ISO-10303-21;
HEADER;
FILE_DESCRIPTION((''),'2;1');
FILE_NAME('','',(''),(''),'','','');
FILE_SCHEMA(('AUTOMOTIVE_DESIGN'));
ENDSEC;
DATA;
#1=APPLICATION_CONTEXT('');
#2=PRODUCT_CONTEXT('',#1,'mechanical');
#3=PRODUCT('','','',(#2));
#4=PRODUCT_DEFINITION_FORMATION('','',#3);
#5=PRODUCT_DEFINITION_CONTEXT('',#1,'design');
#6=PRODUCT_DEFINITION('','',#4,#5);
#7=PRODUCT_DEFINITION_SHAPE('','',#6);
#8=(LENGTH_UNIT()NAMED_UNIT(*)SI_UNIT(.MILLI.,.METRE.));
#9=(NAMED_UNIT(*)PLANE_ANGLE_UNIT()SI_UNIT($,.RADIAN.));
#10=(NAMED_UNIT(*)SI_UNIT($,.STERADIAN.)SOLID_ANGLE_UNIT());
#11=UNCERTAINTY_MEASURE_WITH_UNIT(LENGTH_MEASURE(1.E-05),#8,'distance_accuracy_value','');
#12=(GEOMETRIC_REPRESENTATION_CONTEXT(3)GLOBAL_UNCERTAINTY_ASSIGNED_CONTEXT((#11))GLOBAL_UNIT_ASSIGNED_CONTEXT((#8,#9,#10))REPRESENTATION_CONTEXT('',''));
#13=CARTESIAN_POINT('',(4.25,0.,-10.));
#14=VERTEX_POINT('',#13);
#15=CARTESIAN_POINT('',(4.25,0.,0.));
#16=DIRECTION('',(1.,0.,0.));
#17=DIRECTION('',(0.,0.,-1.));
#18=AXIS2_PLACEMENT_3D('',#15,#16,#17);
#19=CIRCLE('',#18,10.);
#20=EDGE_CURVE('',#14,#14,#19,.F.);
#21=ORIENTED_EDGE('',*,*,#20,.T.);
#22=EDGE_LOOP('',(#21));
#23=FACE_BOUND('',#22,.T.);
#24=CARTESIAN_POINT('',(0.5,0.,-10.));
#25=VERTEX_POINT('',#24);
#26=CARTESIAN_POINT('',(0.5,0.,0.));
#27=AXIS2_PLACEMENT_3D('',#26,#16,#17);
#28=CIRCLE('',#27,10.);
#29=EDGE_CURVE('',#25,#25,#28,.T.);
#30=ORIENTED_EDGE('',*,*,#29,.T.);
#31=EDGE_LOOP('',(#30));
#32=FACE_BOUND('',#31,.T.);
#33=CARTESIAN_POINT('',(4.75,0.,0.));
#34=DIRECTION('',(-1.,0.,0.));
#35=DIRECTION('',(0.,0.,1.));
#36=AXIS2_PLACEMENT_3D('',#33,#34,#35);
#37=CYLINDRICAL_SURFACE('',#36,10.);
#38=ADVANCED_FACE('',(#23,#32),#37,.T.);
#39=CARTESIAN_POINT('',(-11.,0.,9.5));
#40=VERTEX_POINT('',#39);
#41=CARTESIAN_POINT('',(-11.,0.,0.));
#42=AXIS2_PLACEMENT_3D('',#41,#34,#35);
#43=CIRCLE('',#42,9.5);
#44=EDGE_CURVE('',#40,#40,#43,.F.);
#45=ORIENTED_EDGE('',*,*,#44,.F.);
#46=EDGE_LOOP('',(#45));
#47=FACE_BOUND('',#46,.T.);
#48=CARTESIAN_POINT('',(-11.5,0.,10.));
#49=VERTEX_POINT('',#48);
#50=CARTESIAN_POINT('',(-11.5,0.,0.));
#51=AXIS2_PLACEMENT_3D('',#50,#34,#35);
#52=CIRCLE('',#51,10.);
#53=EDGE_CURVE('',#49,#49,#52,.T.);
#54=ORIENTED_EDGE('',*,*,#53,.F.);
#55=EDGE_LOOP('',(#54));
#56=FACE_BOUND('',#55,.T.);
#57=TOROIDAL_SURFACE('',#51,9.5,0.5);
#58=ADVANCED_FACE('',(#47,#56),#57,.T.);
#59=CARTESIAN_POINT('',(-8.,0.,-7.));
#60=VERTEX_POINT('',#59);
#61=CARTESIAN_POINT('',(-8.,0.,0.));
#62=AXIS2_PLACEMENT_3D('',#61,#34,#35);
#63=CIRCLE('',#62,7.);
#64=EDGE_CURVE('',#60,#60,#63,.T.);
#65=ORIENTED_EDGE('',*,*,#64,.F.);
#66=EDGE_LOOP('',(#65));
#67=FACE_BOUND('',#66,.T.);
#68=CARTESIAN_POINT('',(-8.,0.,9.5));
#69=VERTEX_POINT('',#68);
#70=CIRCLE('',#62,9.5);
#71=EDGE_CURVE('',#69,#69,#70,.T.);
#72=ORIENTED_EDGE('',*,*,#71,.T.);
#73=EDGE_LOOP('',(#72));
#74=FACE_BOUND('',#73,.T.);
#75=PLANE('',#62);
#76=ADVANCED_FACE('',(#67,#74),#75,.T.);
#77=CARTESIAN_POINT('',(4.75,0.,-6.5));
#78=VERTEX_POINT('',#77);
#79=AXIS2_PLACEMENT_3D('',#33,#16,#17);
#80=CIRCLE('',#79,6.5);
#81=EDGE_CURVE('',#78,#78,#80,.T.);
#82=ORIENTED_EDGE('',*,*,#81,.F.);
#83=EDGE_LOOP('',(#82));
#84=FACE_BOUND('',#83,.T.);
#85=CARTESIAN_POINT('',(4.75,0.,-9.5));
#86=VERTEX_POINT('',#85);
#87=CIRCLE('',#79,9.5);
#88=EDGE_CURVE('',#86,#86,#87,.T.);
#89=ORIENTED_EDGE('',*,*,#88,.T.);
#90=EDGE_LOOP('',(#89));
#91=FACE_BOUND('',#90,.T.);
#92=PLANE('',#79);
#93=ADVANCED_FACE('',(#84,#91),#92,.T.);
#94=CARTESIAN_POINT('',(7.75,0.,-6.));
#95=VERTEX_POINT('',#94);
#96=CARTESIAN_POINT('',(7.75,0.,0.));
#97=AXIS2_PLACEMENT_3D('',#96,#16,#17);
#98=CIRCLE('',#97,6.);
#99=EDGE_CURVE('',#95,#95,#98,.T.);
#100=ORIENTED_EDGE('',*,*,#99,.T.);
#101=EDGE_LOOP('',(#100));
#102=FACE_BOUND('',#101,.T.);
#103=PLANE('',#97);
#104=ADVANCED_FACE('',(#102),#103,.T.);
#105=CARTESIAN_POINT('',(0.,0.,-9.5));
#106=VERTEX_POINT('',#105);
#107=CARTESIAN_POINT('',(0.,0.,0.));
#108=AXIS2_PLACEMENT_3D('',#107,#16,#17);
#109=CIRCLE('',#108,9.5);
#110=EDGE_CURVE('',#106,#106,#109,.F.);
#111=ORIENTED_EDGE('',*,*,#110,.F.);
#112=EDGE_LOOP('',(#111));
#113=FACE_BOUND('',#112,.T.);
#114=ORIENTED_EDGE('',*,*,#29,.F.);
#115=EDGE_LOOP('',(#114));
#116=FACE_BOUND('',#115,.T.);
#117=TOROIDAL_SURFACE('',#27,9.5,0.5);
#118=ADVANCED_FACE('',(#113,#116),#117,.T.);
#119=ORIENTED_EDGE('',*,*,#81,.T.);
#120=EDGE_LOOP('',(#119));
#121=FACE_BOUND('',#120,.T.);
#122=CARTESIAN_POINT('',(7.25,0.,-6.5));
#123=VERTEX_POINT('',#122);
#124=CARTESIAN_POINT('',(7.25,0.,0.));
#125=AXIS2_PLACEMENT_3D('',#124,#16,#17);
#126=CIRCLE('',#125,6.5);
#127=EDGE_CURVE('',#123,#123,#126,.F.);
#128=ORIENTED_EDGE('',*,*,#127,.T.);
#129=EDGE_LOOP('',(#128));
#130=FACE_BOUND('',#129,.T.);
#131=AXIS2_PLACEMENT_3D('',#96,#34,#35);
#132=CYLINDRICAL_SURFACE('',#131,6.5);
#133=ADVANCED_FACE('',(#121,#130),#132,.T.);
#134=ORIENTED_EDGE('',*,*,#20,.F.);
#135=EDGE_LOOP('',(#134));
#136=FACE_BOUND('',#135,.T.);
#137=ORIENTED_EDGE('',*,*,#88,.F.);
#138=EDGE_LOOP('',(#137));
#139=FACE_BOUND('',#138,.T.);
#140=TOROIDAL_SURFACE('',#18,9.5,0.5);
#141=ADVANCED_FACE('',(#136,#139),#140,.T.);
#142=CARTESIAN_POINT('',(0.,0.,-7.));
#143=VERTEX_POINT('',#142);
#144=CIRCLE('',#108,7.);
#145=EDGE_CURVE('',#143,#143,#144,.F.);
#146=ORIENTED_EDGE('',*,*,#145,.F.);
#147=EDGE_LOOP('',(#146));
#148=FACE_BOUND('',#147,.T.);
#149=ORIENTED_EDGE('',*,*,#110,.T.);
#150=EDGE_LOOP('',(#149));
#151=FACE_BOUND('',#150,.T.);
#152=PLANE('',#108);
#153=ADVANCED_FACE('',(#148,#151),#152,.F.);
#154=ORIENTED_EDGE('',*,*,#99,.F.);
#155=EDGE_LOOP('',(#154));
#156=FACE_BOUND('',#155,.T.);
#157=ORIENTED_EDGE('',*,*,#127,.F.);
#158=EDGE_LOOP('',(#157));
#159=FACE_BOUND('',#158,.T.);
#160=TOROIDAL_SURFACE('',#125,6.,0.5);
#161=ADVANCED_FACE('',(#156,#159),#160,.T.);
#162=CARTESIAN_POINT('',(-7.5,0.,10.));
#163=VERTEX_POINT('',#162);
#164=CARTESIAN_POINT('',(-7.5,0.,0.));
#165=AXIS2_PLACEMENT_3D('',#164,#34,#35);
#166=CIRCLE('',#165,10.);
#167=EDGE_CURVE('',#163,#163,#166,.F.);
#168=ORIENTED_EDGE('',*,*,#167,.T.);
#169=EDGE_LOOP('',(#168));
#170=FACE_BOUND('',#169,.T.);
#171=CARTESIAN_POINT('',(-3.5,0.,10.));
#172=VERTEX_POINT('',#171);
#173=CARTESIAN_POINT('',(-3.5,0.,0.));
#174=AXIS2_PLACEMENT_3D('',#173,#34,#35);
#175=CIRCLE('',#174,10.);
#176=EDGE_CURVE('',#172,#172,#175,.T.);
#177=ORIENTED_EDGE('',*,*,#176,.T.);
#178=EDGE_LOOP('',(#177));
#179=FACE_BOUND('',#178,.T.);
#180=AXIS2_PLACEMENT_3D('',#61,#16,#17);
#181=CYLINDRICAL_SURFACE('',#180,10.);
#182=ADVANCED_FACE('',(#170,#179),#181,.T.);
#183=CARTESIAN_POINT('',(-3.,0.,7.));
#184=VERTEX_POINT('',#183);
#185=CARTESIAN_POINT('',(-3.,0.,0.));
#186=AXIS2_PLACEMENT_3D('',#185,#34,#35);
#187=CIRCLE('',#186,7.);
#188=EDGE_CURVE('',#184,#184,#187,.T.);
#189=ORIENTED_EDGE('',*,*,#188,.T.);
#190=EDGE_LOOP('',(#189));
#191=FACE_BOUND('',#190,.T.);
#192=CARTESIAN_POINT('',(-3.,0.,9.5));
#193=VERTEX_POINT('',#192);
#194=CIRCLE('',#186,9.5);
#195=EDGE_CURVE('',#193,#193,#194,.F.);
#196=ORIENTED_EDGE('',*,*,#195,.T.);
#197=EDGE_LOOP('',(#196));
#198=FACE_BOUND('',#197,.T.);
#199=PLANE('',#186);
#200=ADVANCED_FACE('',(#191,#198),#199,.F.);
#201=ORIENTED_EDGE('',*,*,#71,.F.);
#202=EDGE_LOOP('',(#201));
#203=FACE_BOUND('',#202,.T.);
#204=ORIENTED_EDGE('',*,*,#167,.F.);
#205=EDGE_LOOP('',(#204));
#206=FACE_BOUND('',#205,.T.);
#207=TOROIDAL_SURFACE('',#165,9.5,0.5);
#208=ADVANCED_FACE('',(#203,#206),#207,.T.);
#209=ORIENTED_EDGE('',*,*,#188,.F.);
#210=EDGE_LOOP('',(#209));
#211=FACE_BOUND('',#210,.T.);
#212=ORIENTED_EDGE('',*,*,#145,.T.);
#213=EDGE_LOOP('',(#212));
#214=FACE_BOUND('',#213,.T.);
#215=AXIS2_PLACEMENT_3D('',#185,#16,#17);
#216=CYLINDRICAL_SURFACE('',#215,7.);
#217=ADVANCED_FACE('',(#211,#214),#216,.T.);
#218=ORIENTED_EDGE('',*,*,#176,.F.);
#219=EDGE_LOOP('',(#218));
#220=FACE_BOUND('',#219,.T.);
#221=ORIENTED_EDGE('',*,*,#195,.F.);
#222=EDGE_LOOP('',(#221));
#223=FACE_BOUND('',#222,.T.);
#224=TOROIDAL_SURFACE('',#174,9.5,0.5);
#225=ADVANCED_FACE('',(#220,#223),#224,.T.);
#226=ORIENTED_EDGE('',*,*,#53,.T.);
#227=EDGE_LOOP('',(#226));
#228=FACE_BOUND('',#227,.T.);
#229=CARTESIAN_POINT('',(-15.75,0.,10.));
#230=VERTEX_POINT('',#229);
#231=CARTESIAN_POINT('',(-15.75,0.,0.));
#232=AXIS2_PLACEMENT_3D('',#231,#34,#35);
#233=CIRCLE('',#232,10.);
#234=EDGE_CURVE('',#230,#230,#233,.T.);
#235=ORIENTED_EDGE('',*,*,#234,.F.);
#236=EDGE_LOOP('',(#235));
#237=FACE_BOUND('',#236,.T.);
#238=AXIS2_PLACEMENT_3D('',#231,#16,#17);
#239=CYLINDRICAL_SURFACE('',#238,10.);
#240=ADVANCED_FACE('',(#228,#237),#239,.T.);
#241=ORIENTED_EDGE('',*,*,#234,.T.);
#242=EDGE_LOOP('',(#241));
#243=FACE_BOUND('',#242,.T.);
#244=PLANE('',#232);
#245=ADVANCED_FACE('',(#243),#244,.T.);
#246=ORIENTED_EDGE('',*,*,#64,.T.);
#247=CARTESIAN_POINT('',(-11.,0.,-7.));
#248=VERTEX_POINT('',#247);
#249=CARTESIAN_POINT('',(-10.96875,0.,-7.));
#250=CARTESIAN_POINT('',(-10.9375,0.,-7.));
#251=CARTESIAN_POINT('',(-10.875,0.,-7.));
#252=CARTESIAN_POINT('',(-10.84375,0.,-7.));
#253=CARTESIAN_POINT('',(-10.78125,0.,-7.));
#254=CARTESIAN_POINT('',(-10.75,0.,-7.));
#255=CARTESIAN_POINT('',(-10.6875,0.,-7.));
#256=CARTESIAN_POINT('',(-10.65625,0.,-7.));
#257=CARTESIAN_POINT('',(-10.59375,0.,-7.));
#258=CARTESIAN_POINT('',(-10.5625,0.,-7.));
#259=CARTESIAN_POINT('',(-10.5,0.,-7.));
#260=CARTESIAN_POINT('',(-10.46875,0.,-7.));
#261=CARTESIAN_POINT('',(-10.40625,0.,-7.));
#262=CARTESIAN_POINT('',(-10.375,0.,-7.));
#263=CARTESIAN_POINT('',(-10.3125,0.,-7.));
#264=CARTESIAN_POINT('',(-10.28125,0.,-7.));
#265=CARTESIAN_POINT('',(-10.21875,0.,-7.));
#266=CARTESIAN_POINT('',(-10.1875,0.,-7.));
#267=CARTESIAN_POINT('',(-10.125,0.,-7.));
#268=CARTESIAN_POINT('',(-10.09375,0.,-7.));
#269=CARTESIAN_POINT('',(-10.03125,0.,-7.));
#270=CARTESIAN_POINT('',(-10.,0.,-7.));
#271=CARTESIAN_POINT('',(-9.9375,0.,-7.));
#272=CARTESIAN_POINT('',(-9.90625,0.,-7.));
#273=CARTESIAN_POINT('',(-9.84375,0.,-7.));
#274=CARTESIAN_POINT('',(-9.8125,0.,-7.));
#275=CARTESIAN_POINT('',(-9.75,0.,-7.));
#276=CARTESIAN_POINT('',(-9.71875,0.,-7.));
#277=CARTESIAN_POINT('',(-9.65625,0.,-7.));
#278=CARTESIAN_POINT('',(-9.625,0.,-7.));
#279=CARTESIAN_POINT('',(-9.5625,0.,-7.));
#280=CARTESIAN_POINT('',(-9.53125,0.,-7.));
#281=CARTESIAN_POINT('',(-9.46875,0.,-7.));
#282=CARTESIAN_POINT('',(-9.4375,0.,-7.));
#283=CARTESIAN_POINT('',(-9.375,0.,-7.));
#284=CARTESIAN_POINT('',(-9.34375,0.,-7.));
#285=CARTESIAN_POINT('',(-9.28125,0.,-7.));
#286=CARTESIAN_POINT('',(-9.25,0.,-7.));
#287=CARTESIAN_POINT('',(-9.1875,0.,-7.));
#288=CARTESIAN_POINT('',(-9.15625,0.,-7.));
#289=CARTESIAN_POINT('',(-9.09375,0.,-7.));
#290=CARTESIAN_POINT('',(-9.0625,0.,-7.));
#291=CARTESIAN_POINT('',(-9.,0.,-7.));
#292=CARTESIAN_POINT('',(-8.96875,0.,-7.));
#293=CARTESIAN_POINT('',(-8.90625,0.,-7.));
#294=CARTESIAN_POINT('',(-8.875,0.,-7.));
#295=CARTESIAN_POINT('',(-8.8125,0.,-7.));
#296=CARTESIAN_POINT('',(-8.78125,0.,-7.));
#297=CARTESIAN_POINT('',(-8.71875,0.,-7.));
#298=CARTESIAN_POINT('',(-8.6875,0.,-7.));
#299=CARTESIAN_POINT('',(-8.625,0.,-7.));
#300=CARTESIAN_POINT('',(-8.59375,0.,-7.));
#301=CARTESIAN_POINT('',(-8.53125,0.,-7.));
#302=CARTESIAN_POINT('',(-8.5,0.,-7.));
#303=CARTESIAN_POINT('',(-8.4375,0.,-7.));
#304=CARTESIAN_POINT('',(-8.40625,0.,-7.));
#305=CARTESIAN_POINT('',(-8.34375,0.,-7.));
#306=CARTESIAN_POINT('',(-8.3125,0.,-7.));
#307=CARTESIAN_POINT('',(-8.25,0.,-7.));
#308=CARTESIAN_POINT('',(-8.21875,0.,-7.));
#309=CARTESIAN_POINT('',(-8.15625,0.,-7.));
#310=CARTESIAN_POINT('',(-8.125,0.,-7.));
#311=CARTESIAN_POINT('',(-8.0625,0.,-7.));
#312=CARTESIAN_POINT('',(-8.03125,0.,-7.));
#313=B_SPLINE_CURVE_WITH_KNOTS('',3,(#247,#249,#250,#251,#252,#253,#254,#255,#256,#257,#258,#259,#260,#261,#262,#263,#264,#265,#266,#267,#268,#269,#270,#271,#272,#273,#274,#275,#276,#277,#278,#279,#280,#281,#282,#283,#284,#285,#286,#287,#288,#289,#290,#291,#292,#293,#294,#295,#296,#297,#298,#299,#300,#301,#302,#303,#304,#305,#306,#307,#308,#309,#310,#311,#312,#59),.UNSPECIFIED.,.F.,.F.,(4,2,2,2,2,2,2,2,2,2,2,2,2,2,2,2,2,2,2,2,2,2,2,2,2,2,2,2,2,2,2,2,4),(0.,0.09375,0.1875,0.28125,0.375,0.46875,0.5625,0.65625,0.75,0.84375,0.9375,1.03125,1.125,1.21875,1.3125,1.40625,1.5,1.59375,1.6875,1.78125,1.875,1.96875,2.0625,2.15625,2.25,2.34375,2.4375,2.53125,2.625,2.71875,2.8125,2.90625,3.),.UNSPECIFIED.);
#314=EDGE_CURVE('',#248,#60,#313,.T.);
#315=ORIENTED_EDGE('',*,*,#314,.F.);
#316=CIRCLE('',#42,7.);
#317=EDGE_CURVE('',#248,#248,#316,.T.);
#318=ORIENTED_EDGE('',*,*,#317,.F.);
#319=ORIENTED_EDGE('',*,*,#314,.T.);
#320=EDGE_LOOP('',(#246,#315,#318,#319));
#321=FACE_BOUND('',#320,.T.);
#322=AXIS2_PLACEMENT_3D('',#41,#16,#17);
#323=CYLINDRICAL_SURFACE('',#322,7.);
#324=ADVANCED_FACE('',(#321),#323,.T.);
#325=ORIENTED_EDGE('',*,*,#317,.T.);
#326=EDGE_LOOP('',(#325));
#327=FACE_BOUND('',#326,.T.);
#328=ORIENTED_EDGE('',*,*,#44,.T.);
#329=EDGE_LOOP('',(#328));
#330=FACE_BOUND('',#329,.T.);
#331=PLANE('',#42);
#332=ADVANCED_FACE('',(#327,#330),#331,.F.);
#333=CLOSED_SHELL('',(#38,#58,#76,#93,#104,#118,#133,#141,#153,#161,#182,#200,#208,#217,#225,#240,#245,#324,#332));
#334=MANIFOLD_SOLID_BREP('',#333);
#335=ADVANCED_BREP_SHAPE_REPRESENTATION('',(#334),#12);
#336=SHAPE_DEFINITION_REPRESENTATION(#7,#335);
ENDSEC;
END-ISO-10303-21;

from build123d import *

# Parameters (mm, degrees)
SKETCH1_R           = 10
BOSS_EXTRUDE1_DEPTH = 4.75
SKETCH4_R           = 6.5
BOSS_EXTRUDE2_DEPTH = 3
SKETCH5_R           = 7
BOSS_EXTRUDE3_DEPTH = 3
FILLET1_R           = 0.5
BOSS_EXTRUDE4_START = 5
SKETCH6_R           = 10
BOSS_EXTRUDE4_DEPTH = 5
SKETCH7_R           = 7
BOSS_EXTRUDE5_DEPTH = 3
BOSS_EXTRUDE6_START = 4.75
SKETCH9_R           = 10
BOSS_EXTRUDE6_DEPTH = 4.75
FILLET2_R           = 0.5


with BuildPart() as part:
    # Sketch1 → Boss-Extrude1 (new body)
    with BuildSketch(Plane(origin=(0, 0, 0), x_dir=(0, 0, -1), z_dir=(1, 0, 0))):
        Circle(SKETCH1_R)
    extrude(amount=BOSS_EXTRUDE1_DEPTH)

    # Sketch4 → Boss-Extrude2 (add)
    with BuildSketch(Plane(origin=(4.75, 0, 0), x_dir=(0, 0, -1), z_dir=(1, 0, 0))):
        Circle(SKETCH4_R)
    extrude(amount=BOSS_EXTRUDE2_DEPTH)

    # Sketch5 → Boss-Extrude3 (add)
    with BuildSketch(Plane.ZY):
        with Locations(Location((0, 0, 0), (0, 0, 180))):
            Circle(SKETCH5_R)
    extrude(amount=BOSS_EXTRUDE3_DEPTH)

    # Fillet1
    fillet1_edges = [part.edges().sort_by_distance(p)[0] for p in [
        (7.75, 0, 6.5),
    ]]
    fillet(fillet1_edges, radius=FILLET1_R)

    # Sketch6 → Boss-Extrude4 (add)
    with BuildSketch(Plane.ZY.offset(3).offset(BOSS_EXTRUDE4_START)):
        with Locations(Location((0, 0, 0), (0, 0, 180))):
            Circle(SKETCH6_R)
    extrude(amount=-BOSS_EXTRUDE4_DEPTH)

    # Sketch7 → Boss-Extrude5 (add)
    with BuildSketch(Plane.ZY.offset(8)):
        with Locations(Location((0, 0, 0), (0, 0, 180))):
            Circle(SKETCH7_R)
    extrude(amount=BOSS_EXTRUDE5_DEPTH)

    # Sketch9 → Boss-Extrude6 (add)
    with BuildSketch(Plane.ZY.offset(11).offset(BOSS_EXTRUDE6_START)):
        with Locations(Location((0, 0, 0), (0, 0, 180))):
            Circle(SKETCH9_R)
    extrude(amount=-BOSS_EXTRUDE6_DEPTH)

    # Fillet2
    fillet2_edges = [part.edges().sort_by_distance(p)[0] for p in [
        (-3, 0, 10),
        (-8, 0, 10),
        (0, 0, 10),
        (-11, 0, 10),
        (4.75, 0, 10),
    ]]
    fillet(fillet2_edges, radius=FILLET2_R)


solid = part.part
